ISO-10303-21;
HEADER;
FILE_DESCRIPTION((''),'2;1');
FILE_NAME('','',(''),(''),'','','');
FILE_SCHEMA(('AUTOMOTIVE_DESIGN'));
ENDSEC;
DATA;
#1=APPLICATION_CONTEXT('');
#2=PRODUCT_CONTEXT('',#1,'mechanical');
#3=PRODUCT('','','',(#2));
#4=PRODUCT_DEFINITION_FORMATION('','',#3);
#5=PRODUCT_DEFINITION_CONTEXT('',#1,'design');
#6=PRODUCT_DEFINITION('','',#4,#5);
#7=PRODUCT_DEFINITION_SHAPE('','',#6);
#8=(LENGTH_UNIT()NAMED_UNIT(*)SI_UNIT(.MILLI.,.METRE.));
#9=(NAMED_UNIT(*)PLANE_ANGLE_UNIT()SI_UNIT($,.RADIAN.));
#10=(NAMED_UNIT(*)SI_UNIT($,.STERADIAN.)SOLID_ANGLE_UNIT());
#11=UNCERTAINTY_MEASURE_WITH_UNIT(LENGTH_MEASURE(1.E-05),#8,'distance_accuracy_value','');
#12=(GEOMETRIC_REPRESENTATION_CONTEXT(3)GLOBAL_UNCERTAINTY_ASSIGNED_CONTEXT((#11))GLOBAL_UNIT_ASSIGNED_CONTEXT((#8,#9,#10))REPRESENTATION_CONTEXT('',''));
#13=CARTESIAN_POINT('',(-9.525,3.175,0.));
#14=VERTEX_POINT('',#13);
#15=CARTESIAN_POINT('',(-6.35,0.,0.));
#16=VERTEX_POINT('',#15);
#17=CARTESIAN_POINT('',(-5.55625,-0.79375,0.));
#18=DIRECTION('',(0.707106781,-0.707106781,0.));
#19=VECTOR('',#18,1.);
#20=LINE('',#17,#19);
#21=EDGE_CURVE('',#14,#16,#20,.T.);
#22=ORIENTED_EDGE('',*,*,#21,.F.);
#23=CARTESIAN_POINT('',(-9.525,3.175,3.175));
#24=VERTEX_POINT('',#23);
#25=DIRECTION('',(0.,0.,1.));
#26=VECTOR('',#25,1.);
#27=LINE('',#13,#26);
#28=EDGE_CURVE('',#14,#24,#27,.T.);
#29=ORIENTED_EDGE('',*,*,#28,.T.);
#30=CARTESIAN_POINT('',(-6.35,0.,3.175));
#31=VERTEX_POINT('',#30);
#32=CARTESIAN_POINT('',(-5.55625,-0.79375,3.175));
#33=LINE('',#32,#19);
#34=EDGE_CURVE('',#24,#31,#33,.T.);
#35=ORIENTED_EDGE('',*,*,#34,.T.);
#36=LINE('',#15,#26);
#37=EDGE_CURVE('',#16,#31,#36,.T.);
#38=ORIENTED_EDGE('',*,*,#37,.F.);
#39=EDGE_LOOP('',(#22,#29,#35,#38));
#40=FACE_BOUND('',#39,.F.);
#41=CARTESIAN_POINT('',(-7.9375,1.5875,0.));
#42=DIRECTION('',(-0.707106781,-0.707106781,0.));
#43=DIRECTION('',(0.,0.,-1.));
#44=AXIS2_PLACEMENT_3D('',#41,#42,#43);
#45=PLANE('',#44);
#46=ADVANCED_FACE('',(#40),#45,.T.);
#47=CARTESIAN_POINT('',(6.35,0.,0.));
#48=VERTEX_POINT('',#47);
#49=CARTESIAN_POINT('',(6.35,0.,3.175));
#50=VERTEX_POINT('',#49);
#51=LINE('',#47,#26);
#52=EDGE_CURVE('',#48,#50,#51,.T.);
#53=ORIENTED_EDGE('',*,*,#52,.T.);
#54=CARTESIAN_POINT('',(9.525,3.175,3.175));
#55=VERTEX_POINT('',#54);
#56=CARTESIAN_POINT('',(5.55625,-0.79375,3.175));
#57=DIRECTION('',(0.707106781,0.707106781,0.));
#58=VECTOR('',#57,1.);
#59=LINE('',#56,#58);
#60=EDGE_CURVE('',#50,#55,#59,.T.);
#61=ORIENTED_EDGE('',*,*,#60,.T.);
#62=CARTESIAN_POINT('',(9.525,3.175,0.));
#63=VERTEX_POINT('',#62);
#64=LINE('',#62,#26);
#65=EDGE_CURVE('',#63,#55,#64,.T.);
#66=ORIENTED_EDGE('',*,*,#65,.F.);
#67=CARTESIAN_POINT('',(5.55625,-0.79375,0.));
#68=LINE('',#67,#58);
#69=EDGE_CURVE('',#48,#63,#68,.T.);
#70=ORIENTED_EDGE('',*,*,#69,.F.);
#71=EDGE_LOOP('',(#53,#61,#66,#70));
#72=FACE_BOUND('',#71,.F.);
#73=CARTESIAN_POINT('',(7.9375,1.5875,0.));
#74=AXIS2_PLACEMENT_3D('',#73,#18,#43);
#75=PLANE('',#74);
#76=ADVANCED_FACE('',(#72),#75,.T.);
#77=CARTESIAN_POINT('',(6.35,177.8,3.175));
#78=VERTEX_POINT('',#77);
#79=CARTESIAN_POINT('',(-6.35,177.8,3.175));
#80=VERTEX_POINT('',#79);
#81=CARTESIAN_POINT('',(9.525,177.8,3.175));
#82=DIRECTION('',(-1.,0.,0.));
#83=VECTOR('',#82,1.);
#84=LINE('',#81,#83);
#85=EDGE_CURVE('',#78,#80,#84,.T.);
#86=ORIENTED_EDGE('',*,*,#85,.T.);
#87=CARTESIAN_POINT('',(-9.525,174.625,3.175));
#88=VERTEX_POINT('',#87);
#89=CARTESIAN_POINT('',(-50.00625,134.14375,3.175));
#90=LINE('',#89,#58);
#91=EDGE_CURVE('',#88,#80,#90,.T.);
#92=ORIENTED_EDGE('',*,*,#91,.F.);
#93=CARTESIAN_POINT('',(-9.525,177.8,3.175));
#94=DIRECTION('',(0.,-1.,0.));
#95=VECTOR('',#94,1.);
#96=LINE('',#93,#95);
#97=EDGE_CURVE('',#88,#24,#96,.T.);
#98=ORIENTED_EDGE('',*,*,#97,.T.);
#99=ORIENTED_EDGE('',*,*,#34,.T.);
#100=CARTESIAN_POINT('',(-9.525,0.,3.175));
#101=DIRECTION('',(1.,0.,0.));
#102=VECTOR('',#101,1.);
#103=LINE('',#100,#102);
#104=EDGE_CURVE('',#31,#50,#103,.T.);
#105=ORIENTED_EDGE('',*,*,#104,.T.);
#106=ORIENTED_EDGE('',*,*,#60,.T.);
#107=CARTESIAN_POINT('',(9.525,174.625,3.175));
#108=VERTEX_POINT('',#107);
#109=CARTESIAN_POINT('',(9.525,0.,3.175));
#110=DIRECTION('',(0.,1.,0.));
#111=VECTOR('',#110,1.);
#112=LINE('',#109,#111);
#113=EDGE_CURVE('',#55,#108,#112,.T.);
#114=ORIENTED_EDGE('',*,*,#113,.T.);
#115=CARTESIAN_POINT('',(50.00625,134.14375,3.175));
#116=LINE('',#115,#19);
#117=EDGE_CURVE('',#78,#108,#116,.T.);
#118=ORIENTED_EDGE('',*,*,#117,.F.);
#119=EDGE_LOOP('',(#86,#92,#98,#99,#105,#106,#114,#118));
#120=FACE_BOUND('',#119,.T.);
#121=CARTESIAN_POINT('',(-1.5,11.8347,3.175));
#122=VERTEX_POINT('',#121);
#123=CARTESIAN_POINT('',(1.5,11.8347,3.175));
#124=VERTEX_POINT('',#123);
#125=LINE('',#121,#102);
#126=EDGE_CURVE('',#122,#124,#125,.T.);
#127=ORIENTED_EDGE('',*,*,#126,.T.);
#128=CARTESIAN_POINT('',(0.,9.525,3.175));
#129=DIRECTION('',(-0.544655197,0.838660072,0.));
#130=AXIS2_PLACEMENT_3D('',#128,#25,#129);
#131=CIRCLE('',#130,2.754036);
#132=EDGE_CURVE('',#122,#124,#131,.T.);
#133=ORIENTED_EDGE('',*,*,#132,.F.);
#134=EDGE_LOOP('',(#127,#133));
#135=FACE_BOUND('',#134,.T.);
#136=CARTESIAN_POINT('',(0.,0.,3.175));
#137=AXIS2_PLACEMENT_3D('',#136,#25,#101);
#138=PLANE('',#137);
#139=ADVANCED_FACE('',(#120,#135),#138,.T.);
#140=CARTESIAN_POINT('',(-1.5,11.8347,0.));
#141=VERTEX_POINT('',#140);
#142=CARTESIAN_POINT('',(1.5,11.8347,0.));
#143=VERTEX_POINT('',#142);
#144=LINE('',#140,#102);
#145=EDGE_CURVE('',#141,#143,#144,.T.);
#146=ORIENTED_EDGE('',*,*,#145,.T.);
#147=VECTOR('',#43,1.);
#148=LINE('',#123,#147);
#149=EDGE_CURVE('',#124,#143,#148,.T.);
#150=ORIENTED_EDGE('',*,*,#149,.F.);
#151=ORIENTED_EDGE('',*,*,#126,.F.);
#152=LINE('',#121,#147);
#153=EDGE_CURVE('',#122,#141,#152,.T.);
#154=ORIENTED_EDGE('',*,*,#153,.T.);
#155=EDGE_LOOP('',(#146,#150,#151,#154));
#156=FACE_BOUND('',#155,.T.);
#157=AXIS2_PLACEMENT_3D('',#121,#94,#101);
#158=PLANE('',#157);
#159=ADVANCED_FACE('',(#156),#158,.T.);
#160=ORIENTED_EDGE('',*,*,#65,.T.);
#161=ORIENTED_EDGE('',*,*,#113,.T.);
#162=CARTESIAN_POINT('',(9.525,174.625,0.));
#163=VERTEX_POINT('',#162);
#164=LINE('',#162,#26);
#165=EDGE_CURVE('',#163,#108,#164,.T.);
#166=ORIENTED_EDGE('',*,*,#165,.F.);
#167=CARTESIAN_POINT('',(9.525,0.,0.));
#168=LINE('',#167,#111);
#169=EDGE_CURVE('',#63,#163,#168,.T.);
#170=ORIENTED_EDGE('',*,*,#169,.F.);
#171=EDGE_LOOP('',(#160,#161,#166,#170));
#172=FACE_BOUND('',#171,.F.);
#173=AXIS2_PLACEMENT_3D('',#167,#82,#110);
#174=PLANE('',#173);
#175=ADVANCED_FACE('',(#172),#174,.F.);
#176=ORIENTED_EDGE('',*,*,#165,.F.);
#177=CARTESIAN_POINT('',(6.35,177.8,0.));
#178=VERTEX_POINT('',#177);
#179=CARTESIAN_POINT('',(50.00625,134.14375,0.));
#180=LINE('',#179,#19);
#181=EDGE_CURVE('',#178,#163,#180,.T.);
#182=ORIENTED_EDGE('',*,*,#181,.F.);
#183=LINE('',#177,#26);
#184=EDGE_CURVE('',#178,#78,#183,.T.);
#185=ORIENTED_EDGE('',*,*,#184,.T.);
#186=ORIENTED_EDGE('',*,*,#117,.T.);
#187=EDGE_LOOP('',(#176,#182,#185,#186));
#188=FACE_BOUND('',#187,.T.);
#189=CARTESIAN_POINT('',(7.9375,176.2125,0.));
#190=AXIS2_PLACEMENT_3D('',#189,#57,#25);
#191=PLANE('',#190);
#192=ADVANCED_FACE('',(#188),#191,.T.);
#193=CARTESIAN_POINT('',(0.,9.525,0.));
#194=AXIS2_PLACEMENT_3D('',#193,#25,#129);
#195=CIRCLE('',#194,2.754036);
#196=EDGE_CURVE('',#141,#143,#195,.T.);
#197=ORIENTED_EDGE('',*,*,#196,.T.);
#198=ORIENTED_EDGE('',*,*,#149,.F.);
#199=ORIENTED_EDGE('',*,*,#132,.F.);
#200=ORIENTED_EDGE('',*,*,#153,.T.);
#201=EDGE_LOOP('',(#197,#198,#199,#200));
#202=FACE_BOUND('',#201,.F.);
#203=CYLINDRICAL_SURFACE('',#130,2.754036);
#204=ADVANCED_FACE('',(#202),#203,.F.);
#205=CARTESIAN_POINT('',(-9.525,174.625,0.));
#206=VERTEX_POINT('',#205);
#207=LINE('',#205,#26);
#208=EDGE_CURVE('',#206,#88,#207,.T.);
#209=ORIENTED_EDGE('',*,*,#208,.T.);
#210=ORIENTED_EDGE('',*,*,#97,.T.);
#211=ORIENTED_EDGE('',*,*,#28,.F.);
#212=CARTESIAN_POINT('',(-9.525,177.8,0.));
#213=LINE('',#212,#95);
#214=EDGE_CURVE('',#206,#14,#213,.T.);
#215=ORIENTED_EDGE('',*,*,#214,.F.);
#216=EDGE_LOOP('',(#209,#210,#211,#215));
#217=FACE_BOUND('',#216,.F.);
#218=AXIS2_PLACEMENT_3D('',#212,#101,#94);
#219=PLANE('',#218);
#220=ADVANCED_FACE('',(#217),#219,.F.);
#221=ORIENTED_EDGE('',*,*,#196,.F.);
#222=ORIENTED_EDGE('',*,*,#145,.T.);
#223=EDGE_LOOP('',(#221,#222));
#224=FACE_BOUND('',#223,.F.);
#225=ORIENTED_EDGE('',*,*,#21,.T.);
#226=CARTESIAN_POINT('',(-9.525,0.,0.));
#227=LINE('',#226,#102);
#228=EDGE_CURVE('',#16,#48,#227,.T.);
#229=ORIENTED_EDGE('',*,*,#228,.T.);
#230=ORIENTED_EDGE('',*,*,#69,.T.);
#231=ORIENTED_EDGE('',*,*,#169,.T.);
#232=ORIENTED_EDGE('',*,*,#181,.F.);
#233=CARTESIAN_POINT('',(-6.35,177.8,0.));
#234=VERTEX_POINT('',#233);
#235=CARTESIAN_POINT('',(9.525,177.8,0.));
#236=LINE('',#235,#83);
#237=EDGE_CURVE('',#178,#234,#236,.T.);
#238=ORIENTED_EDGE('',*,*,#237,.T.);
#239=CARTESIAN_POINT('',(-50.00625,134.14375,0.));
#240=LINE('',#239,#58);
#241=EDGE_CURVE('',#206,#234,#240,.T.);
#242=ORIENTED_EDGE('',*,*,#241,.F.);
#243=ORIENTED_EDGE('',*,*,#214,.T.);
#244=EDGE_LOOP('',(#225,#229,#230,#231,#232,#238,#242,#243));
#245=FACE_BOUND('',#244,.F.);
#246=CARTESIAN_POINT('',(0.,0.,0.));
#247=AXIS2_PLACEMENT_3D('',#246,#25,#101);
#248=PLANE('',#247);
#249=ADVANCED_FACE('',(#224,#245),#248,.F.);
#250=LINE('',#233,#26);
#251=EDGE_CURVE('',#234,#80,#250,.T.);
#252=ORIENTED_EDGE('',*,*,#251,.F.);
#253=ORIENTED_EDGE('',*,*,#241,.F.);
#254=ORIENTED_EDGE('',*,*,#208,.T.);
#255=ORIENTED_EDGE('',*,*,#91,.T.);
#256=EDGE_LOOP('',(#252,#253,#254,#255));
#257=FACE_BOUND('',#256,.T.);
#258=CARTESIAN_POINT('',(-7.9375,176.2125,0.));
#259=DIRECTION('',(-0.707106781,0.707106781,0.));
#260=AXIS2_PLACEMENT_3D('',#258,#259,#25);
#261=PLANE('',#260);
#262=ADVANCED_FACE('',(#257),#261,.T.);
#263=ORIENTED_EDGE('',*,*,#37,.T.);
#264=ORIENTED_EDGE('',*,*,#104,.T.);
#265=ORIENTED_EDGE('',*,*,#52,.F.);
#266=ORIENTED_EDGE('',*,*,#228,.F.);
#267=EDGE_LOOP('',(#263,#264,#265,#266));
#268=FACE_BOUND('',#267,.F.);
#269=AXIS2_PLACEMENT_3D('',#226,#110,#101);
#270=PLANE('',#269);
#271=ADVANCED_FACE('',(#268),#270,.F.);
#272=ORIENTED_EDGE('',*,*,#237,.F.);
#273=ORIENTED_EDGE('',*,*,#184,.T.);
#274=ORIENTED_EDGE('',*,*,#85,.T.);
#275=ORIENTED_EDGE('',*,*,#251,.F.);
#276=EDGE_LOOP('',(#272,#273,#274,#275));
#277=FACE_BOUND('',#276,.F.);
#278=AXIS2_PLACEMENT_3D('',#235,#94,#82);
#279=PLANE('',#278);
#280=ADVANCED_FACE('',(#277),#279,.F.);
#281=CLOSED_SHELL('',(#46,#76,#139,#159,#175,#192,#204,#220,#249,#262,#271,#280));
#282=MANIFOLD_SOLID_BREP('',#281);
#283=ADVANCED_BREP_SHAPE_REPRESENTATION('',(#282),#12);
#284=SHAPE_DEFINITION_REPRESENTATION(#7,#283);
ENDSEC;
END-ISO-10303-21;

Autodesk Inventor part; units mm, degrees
ref_plane "YZ Plane" through (0, 0, 0) normal (1, 0, 0) x (0, 1, 0)
ref_plane "XZ Plane" through (0, 0, 0) normal (0, 1, 0) x (-1, 0, 0)
ref_plane "XY Plane" through (0, 0, 0) normal (0, 0, 1) x (1, 0, 0)
sketch "Sketch1" plane through (0, 0, 0) normal (0, 0, 1) x (1, 0, 0)
  line L0 (-9.525, 0) -> (9.525, 0)
  line L1 (9.525, 0) -> (9.525, 177.8)
  line L2 (9.525, 177.8) -> (-9.525, 177.8)
  line L3 (-9.525, 177.8) -> (-9.525, 0)
  point P0 (0, 0)
  point P1 (0, 0)
  dimension "d0" = 19.05
  dimension "d1" = 177.8
extrude "Extrusion1" add sketch "Sketch1" along normal blind 3.175
sketch "Sketch2" plane through (0, 0, 3.175) normal (0, 0, 1) x (1, 0, 0)
  arc A0 (-1.5, 11.8347) -> (1.5, 11.8347) centre (0, 9.525) ccw
  line L0 (-1.5, 11.8347) -> (1.5, 11.8347)
  line L1 (9.525, 0) -> (9.525, 177.8) projected
  line L2 (-9.525, 0) -> (9.525, 0) projected
  point P0 (0, 0)
  point P1 (0, 0)
  dimension "d4" = 2.754
  dimension "d5" = 3
  dimension "d8" = 9.525
  dimension "d9" = 9.525
extrude "Extrusion2" cut sketch "Sketch2" against normal blind 3.175
chamfer "Chamfer1" distance 3.175 angle 45 4 edges at (9.525, 0, 1.5875) (-9.525, 0, 1.5875) (9.525, 177.8, 1.5875) (-9.525, 177.8, 1.5875)
equation "\"d0\" = arm_distal_width"
equation "\"d1\" = arm_distal_length"
equation "\"d2\" = arm_distal_thickness"
equation "\"d9\" = d8"
equation "\"d10\" = arm_distal_thickness"
equation "\"base_width\" = 127"
equation "\"base_length\" = 177.8"
equation "\"base_height\" = 12.7"
equation "\"base_motor_standoff_length\" = 63.5"
equation "\"base_motor_standoff_height\" = 12.7"
equation "\"base_motor_standoff_thickness\" = 3.175"
equation "\"base_motor_standoff_offset\" = 0"
equation "\"waist_motor_cutout_diameter\" = 50.8"
equation "\"waist_cutout_overlap\" = 6.35"
equation "\"retention_poles_diameter\" = 6.35"
equation "\"turntable_bed_depth\" = 3.175"
equation "\"turntable_diameter\" = 101.6"
equation "\"turntable_spur_thickness\" = 6.35"
equation "\"turntable_thickness\" = 9.525"
equation "\"spine_diameter\" = 31.75"
equation "\"shoulder_height_offset\" = 25.4"
equation "\"shoulder_width\" = 69.85"
equation "\"shoulder_length\" = 50.8"
equation "\"shoulder_wall_thickness\" = 4.7625"
equation "\"arm_proximal_gear_diameter\" = 63.5"
equation "\"arm_proximal_gear_thickness\" = 9.525"
equation "\"shoulder_motor_gear_diameter\" = 25.4"
equation "\"arm_proximal_length\" = 228.6"
equation "\"arm_proximal_width\" = 12.7"
equation "\"arm_distal_length\" = 177.8"
equation "\"arm_distal_width\" = 19.05"
equation "\"arm_distal_thickness\" = 3.175"
equation "\"arm_proximal_thickness\" = 6.35"
equation "\"shoulder_motor_boss\" = 25.4"
equation "\"shoulder_gear_shaft_diameter\" = 12.7"
equation "\"shoulder_gear_thickness\" = 6.35"
equation "\"shoulder_gear_diameter\" = 63.5"
equation "\"spine_height\" = 25.4"
equation "\"turntable_retention_shaft_length\" = 152.4"
equation "\"turntable_height\" = 9.525"
equation "\"turntable_spur_width\" = 6.35"
equation "\"turntable_retention_shaft_diameter\" = 6.35"
equation "\"turntable_motor_support_width\" = 63.5"
equation "\"turntable_motor_boss\" = 25.4"
equation "\"turntable_motor_support_height\" = 25.4"
equation "\"turntable_motor_support_thickness\" = 3.175"
equation "\"base_cutout_diameter\" = 44.45"
equation "\"base_cutout_contact_angle\" = 70deg"
equation "\"arm_proximal_central_diameter\" = 25.4"
equation "\"arm_proximal_motor_boss\" = 25.4"
equation "\"turntable_ring_height\" = 9.525"
equation "\"turntable_ring_diameter\" = 19.05"
properties part number "arm_distal"
